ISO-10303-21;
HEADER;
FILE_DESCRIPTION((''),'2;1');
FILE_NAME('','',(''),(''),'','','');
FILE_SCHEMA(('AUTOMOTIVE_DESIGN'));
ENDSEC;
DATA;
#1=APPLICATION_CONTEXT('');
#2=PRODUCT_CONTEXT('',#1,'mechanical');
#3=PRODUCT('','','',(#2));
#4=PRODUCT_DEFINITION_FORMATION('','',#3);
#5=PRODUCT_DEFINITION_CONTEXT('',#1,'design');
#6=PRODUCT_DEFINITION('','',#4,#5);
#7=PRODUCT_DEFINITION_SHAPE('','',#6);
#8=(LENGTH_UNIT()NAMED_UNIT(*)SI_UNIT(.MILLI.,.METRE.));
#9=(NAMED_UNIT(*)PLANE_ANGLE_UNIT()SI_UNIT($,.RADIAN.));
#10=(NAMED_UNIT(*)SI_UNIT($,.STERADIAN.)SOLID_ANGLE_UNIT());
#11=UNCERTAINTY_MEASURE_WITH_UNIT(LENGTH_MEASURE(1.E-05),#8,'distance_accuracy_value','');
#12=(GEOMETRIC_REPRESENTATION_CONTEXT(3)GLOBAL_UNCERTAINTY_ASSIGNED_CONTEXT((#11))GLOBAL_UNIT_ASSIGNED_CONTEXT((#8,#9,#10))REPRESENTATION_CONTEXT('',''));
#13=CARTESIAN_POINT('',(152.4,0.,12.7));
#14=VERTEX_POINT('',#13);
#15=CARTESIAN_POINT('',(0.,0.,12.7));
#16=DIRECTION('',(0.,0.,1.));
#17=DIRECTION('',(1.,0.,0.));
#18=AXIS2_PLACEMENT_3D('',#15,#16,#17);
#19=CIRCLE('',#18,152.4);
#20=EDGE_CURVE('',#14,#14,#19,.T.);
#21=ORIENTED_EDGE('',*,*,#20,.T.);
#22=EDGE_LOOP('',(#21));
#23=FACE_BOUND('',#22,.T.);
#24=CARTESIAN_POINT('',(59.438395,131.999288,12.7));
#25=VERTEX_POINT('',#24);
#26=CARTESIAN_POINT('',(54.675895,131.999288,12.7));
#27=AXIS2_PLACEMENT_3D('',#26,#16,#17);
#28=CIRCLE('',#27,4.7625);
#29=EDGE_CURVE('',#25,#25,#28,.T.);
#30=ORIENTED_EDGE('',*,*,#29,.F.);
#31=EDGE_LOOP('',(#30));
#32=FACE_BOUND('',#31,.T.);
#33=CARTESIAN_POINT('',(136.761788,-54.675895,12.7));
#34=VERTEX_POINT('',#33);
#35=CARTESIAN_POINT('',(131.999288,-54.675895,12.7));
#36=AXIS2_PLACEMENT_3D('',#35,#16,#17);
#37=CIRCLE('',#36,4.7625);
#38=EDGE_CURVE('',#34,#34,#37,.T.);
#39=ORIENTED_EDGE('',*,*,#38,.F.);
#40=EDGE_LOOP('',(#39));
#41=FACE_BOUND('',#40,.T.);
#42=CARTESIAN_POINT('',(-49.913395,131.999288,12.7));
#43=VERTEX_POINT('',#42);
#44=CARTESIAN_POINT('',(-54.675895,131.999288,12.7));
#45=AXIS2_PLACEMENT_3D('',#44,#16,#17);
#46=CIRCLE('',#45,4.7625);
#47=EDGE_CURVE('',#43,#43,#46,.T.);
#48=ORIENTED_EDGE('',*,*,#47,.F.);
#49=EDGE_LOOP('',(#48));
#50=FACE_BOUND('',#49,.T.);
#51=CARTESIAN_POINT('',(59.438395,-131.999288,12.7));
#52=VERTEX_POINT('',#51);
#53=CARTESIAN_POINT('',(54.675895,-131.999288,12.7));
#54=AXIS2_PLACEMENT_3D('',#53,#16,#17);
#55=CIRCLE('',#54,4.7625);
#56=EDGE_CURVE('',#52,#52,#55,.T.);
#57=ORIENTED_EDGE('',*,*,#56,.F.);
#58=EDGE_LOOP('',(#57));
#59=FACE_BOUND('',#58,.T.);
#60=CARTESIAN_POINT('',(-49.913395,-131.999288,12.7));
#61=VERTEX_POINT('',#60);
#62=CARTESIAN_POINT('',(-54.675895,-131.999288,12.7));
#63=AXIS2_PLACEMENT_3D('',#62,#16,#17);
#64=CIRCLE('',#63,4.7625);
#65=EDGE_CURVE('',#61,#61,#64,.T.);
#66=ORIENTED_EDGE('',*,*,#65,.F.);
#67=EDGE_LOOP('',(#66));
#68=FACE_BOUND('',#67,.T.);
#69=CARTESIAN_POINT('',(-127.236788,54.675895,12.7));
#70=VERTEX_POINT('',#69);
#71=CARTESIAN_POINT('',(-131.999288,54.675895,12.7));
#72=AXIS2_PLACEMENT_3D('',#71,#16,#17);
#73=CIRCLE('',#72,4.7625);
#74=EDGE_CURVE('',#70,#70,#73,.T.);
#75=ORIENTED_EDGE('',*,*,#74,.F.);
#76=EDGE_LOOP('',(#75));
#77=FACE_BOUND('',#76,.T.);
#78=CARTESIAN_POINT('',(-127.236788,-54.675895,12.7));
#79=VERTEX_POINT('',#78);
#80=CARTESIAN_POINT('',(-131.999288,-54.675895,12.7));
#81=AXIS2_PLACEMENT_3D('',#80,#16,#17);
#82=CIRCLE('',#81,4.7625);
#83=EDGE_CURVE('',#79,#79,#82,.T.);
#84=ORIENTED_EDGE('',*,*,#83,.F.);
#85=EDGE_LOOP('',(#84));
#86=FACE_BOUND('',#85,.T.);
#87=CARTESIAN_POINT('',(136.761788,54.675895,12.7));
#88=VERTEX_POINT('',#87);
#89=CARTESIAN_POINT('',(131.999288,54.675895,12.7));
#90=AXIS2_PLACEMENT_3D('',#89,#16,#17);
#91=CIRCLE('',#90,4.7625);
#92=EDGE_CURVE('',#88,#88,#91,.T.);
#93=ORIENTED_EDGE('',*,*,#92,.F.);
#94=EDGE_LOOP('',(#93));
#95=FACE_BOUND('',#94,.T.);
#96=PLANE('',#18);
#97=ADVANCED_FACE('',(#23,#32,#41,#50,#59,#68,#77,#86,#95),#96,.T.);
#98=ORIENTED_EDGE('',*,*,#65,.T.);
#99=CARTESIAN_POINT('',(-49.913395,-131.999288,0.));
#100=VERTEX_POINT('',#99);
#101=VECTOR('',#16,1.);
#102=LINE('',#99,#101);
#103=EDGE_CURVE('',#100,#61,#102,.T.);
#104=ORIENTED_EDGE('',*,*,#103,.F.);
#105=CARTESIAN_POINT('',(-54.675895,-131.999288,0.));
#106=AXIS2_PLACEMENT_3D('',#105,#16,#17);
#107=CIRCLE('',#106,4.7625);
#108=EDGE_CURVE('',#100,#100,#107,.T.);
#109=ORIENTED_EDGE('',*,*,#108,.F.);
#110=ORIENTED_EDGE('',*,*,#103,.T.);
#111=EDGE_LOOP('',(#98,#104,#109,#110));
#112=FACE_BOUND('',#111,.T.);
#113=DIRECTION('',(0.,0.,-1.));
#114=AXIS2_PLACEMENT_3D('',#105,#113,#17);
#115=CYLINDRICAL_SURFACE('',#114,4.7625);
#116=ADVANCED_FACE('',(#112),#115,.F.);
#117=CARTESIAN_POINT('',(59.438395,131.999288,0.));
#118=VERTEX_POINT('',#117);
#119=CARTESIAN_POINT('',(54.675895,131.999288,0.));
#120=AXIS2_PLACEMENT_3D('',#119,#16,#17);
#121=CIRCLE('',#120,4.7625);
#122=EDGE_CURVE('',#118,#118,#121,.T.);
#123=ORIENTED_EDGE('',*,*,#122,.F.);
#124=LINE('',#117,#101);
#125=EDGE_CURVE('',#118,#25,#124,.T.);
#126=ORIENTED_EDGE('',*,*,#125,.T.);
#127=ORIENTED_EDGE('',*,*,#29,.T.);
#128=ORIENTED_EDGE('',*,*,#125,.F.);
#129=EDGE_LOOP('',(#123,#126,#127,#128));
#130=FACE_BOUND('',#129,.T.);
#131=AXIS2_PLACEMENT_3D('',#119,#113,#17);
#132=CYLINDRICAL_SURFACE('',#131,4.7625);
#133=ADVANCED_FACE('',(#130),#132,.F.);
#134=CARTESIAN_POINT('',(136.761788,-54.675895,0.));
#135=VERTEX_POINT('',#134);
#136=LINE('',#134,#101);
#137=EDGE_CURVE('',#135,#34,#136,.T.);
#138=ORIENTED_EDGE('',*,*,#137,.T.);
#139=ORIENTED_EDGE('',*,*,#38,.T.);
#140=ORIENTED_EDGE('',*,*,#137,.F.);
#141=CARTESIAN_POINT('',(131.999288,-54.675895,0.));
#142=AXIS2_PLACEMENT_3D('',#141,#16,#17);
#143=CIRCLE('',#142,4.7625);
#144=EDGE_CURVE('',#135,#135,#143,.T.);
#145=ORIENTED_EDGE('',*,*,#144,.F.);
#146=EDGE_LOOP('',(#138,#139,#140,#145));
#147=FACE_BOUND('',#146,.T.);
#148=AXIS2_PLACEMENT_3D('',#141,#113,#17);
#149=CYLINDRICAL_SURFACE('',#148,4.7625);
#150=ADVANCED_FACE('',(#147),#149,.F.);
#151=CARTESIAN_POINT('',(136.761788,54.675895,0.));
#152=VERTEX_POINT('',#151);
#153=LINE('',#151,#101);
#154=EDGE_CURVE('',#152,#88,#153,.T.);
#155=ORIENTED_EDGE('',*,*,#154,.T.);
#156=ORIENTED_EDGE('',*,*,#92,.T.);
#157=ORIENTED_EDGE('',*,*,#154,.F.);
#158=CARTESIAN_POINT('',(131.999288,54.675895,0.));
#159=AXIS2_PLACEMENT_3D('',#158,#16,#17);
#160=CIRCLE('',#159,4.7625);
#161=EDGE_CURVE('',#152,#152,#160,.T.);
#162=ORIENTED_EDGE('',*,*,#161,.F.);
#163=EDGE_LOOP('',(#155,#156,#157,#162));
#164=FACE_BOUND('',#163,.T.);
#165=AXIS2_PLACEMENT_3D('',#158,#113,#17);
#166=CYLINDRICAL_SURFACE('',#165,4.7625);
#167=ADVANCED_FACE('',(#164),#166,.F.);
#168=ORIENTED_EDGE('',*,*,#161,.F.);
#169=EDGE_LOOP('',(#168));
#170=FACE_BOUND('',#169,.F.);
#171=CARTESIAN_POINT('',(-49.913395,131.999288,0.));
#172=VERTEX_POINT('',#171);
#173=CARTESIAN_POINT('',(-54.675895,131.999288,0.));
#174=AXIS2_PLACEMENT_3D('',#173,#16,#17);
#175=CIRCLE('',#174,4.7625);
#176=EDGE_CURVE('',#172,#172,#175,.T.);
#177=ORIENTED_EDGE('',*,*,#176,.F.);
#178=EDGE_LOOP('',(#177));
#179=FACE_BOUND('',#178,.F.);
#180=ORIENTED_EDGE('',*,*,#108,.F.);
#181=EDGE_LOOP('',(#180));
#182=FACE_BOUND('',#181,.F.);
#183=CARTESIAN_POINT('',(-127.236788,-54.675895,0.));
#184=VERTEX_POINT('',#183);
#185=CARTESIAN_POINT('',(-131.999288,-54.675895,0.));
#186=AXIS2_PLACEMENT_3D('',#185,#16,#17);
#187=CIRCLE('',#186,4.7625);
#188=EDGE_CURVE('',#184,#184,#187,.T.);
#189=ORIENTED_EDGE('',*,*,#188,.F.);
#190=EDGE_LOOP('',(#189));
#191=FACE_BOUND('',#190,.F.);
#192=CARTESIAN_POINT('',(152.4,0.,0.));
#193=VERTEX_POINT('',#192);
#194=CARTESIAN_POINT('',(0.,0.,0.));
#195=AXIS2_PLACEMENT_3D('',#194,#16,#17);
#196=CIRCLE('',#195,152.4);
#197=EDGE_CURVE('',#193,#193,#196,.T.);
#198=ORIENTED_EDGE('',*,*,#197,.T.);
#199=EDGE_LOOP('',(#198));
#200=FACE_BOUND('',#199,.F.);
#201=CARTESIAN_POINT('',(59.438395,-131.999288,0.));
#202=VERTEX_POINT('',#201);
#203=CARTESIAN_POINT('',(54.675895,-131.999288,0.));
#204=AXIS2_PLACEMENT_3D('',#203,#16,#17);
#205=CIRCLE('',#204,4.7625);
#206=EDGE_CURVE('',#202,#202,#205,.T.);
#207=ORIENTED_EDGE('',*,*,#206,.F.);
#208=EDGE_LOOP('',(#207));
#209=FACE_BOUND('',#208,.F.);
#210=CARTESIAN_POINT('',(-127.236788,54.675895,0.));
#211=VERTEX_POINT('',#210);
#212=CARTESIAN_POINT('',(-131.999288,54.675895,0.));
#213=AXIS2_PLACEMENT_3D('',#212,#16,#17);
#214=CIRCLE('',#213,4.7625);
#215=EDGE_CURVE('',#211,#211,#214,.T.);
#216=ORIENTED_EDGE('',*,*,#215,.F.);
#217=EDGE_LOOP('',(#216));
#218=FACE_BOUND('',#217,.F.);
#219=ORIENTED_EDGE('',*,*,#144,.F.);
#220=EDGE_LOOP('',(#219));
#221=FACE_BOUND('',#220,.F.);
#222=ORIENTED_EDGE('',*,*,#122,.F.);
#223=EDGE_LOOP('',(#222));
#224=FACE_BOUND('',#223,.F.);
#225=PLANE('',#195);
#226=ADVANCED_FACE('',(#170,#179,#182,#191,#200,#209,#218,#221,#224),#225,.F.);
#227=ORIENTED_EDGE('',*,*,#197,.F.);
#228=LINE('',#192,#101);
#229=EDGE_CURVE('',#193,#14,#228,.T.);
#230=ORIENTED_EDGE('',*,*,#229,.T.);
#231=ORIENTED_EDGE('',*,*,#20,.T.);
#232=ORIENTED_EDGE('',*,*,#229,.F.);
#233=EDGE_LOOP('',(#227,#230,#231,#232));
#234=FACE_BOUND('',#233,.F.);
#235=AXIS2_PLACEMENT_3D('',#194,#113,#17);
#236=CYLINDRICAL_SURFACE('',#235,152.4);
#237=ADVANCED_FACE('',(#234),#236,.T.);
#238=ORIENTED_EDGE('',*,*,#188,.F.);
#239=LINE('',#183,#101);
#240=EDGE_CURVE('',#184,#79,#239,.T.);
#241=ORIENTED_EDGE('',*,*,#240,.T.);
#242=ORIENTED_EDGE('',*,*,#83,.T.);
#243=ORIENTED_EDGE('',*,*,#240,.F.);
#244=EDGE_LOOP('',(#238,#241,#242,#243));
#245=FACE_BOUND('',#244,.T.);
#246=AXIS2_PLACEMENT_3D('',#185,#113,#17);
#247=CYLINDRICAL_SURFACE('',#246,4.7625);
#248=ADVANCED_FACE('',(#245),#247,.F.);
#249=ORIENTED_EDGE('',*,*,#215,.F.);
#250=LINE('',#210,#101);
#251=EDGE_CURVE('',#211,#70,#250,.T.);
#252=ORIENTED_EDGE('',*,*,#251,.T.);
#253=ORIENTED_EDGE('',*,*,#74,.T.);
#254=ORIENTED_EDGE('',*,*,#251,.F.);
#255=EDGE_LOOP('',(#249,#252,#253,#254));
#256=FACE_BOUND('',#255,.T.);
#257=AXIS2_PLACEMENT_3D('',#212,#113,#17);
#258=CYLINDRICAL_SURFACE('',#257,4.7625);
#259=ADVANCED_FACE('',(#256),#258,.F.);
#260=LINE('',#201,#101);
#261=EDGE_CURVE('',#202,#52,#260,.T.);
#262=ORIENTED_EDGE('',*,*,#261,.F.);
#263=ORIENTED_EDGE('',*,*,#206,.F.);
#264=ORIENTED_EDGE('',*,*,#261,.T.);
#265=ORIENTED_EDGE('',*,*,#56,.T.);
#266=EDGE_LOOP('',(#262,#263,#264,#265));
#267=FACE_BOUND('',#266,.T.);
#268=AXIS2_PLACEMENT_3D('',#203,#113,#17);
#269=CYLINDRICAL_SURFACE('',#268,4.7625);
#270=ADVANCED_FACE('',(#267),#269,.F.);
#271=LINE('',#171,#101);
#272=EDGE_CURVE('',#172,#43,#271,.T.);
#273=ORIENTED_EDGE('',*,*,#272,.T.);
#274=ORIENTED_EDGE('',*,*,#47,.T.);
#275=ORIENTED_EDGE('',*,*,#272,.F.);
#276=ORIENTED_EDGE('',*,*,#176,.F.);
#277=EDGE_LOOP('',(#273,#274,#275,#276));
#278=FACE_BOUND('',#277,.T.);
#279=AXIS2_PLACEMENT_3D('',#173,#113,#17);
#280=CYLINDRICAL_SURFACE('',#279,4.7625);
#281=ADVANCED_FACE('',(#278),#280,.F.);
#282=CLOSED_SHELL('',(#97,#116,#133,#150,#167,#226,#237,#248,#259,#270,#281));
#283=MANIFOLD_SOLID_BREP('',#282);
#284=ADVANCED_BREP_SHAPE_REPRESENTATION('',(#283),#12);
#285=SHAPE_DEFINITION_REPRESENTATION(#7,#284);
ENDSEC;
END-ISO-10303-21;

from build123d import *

# Parameters (mm, degrees)
F0_R     = 152.4
F0_R_2   = 4.7625
F1_DEPTH = 12.7


with BuildPart() as f1:
    # F0 (on Top) → F1 (new body)
    with BuildSketch(Plane.XY):
        Circle(F0_R)
        with Locations((-54.675895, -131.999288)):
            Circle(F0_R_2, mode=Mode.SUBTRACT)
        with Locations((-131.999288, -54.675895)):
            Circle(F0_R_2, mode=Mode.SUBTRACT)
        with Locations((54.675895, -131.999288)):
            Circle(F0_R_2, mode=Mode.SUBTRACT)
        with Locations((131.999288, -54.675895)):
            Circle(F0_R_2, mode=Mode.SUBTRACT)
        with Locations((-131.999288, 54.675895)):
            Circle(F0_R_2, mode=Mode.SUBTRACT)
        with Locations((-54.675895, 131.999288)):
            Circle(F0_R_2, mode=Mode.SUBTRACT)
        with Locations((131.999288, 54.675895)):
            Circle(F0_R_2, mode=Mode.SUBTRACT)
        with Locations((54.675895, 131.999288)):
            Circle(F0_R_2, mode=Mode.SUBTRACT)
    extrude(amount=F1_DEPTH)


solid = f1.part
